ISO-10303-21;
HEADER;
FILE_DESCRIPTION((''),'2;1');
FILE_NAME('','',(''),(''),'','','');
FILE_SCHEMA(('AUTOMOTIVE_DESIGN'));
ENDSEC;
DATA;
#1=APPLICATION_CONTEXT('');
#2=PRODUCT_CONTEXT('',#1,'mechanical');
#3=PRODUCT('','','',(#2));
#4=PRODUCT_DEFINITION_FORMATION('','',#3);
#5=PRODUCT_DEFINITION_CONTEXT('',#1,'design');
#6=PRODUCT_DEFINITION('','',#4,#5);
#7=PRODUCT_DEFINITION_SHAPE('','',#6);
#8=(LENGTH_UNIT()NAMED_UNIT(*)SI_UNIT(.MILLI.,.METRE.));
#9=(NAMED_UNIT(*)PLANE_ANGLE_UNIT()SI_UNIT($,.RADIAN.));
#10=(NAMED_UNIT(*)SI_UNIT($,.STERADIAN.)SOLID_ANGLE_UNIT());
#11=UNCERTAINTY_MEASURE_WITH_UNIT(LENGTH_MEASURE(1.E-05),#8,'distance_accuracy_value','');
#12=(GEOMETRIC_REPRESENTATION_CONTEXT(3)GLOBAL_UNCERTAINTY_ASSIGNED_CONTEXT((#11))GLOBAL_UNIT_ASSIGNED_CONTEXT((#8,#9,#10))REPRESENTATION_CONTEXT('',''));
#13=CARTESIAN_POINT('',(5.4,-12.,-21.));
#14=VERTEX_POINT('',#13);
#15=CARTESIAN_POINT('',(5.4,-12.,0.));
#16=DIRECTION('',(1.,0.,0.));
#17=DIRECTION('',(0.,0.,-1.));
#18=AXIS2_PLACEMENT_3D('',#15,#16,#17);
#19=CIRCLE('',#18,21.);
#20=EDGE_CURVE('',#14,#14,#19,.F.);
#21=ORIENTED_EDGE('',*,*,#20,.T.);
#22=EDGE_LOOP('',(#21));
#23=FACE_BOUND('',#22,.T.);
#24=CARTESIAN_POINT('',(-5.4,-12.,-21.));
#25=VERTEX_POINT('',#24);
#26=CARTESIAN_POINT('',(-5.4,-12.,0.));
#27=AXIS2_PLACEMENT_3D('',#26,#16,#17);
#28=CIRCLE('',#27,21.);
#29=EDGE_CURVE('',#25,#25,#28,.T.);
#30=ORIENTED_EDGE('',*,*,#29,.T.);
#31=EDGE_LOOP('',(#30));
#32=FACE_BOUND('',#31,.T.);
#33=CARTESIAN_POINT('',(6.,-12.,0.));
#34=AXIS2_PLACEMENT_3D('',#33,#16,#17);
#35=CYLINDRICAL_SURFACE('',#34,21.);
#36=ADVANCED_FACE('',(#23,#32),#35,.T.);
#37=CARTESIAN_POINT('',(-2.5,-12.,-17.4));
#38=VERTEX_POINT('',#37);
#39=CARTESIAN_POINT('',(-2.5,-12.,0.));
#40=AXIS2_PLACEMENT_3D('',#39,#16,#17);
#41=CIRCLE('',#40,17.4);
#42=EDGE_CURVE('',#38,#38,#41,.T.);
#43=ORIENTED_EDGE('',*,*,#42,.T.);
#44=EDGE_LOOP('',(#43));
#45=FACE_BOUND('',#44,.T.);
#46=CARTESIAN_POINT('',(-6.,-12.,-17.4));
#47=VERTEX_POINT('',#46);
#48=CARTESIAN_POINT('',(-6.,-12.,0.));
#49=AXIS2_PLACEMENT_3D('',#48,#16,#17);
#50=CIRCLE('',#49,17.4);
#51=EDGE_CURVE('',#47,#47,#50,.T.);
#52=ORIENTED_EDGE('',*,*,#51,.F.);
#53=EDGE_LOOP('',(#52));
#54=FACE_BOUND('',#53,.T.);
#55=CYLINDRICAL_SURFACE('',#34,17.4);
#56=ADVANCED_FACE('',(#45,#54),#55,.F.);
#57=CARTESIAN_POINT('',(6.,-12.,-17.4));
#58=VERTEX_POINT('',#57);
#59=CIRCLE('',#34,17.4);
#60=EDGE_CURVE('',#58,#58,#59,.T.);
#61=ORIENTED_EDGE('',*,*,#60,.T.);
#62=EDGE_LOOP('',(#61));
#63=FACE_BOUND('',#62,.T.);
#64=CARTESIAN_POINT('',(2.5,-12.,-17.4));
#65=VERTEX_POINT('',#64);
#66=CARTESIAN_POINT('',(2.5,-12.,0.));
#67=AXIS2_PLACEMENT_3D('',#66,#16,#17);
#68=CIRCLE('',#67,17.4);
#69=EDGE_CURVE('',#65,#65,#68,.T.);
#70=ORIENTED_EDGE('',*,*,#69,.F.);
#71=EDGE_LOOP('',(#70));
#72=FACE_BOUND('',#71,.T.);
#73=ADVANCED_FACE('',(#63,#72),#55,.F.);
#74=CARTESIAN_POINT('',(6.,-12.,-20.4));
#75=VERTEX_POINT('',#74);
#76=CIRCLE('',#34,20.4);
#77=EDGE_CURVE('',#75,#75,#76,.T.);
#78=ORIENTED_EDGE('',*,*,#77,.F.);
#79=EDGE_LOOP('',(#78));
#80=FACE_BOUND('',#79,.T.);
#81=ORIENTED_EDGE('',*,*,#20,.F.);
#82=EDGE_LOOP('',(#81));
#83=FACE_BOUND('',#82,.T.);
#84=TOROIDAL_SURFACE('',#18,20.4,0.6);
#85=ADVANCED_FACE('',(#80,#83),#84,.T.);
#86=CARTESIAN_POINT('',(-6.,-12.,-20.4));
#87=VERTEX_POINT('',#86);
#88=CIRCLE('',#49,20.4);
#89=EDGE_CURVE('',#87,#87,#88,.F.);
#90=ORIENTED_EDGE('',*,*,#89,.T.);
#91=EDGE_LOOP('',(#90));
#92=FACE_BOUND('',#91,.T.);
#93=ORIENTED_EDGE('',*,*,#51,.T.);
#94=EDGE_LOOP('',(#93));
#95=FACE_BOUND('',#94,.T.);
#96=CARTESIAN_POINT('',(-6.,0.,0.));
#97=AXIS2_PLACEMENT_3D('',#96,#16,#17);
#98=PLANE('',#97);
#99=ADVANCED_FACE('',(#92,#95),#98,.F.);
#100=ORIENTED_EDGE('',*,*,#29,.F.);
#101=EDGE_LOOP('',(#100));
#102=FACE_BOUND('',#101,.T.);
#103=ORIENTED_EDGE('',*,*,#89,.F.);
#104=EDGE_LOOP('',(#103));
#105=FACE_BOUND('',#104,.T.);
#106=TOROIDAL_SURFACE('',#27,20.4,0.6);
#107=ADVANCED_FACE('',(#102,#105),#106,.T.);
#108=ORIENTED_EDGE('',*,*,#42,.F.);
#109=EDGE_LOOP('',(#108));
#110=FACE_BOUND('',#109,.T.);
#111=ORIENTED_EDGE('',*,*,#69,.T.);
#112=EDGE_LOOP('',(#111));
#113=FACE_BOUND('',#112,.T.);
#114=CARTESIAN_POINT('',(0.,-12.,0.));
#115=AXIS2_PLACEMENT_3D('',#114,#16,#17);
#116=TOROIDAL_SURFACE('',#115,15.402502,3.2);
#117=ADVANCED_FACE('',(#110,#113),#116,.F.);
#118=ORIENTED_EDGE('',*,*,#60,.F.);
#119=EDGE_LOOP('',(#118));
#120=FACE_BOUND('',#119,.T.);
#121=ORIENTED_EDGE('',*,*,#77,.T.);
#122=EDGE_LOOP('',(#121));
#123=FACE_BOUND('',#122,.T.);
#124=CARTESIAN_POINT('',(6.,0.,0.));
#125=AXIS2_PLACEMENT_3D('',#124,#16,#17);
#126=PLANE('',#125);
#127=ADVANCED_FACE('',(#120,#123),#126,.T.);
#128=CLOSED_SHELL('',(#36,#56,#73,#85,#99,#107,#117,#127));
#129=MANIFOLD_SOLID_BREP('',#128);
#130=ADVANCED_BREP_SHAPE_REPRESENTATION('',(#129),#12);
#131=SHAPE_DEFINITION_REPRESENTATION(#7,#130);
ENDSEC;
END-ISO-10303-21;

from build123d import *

# Parameters (mm, degrees)
FILLET1_R = 0.6


with BuildPart() as part:
    # Sketch1 → Revolve1 (revolve)
    with BuildSketch(Plane.XY):
        with BuildLine():
            ThreePointArc((2.5, 5.4), (0, 6.602501564), (-2.5, 5.4))
            Line((-2.5, 5.4), (-6, 5.4))
            Line((-6, 5.4), (-6, 9))
            Line((-6, 9), (6, 9))
            Line((6, 9), (6, 5.4))
            Line((6, 5.4), (2.5, 5.4))
        make_face()
    revolve(axis=Axis((6, -12, 0), (-1, 0, 0)))

    # Fillet1
    fillet1_edges = [part.edges().sort_by_distance(p)[0] for p in [
        (-6, -33, 0),
        (6, -33, 0),
    ]]
    fillet(fillet1_edges, radius=FILLET1_R)


solid = part.part
